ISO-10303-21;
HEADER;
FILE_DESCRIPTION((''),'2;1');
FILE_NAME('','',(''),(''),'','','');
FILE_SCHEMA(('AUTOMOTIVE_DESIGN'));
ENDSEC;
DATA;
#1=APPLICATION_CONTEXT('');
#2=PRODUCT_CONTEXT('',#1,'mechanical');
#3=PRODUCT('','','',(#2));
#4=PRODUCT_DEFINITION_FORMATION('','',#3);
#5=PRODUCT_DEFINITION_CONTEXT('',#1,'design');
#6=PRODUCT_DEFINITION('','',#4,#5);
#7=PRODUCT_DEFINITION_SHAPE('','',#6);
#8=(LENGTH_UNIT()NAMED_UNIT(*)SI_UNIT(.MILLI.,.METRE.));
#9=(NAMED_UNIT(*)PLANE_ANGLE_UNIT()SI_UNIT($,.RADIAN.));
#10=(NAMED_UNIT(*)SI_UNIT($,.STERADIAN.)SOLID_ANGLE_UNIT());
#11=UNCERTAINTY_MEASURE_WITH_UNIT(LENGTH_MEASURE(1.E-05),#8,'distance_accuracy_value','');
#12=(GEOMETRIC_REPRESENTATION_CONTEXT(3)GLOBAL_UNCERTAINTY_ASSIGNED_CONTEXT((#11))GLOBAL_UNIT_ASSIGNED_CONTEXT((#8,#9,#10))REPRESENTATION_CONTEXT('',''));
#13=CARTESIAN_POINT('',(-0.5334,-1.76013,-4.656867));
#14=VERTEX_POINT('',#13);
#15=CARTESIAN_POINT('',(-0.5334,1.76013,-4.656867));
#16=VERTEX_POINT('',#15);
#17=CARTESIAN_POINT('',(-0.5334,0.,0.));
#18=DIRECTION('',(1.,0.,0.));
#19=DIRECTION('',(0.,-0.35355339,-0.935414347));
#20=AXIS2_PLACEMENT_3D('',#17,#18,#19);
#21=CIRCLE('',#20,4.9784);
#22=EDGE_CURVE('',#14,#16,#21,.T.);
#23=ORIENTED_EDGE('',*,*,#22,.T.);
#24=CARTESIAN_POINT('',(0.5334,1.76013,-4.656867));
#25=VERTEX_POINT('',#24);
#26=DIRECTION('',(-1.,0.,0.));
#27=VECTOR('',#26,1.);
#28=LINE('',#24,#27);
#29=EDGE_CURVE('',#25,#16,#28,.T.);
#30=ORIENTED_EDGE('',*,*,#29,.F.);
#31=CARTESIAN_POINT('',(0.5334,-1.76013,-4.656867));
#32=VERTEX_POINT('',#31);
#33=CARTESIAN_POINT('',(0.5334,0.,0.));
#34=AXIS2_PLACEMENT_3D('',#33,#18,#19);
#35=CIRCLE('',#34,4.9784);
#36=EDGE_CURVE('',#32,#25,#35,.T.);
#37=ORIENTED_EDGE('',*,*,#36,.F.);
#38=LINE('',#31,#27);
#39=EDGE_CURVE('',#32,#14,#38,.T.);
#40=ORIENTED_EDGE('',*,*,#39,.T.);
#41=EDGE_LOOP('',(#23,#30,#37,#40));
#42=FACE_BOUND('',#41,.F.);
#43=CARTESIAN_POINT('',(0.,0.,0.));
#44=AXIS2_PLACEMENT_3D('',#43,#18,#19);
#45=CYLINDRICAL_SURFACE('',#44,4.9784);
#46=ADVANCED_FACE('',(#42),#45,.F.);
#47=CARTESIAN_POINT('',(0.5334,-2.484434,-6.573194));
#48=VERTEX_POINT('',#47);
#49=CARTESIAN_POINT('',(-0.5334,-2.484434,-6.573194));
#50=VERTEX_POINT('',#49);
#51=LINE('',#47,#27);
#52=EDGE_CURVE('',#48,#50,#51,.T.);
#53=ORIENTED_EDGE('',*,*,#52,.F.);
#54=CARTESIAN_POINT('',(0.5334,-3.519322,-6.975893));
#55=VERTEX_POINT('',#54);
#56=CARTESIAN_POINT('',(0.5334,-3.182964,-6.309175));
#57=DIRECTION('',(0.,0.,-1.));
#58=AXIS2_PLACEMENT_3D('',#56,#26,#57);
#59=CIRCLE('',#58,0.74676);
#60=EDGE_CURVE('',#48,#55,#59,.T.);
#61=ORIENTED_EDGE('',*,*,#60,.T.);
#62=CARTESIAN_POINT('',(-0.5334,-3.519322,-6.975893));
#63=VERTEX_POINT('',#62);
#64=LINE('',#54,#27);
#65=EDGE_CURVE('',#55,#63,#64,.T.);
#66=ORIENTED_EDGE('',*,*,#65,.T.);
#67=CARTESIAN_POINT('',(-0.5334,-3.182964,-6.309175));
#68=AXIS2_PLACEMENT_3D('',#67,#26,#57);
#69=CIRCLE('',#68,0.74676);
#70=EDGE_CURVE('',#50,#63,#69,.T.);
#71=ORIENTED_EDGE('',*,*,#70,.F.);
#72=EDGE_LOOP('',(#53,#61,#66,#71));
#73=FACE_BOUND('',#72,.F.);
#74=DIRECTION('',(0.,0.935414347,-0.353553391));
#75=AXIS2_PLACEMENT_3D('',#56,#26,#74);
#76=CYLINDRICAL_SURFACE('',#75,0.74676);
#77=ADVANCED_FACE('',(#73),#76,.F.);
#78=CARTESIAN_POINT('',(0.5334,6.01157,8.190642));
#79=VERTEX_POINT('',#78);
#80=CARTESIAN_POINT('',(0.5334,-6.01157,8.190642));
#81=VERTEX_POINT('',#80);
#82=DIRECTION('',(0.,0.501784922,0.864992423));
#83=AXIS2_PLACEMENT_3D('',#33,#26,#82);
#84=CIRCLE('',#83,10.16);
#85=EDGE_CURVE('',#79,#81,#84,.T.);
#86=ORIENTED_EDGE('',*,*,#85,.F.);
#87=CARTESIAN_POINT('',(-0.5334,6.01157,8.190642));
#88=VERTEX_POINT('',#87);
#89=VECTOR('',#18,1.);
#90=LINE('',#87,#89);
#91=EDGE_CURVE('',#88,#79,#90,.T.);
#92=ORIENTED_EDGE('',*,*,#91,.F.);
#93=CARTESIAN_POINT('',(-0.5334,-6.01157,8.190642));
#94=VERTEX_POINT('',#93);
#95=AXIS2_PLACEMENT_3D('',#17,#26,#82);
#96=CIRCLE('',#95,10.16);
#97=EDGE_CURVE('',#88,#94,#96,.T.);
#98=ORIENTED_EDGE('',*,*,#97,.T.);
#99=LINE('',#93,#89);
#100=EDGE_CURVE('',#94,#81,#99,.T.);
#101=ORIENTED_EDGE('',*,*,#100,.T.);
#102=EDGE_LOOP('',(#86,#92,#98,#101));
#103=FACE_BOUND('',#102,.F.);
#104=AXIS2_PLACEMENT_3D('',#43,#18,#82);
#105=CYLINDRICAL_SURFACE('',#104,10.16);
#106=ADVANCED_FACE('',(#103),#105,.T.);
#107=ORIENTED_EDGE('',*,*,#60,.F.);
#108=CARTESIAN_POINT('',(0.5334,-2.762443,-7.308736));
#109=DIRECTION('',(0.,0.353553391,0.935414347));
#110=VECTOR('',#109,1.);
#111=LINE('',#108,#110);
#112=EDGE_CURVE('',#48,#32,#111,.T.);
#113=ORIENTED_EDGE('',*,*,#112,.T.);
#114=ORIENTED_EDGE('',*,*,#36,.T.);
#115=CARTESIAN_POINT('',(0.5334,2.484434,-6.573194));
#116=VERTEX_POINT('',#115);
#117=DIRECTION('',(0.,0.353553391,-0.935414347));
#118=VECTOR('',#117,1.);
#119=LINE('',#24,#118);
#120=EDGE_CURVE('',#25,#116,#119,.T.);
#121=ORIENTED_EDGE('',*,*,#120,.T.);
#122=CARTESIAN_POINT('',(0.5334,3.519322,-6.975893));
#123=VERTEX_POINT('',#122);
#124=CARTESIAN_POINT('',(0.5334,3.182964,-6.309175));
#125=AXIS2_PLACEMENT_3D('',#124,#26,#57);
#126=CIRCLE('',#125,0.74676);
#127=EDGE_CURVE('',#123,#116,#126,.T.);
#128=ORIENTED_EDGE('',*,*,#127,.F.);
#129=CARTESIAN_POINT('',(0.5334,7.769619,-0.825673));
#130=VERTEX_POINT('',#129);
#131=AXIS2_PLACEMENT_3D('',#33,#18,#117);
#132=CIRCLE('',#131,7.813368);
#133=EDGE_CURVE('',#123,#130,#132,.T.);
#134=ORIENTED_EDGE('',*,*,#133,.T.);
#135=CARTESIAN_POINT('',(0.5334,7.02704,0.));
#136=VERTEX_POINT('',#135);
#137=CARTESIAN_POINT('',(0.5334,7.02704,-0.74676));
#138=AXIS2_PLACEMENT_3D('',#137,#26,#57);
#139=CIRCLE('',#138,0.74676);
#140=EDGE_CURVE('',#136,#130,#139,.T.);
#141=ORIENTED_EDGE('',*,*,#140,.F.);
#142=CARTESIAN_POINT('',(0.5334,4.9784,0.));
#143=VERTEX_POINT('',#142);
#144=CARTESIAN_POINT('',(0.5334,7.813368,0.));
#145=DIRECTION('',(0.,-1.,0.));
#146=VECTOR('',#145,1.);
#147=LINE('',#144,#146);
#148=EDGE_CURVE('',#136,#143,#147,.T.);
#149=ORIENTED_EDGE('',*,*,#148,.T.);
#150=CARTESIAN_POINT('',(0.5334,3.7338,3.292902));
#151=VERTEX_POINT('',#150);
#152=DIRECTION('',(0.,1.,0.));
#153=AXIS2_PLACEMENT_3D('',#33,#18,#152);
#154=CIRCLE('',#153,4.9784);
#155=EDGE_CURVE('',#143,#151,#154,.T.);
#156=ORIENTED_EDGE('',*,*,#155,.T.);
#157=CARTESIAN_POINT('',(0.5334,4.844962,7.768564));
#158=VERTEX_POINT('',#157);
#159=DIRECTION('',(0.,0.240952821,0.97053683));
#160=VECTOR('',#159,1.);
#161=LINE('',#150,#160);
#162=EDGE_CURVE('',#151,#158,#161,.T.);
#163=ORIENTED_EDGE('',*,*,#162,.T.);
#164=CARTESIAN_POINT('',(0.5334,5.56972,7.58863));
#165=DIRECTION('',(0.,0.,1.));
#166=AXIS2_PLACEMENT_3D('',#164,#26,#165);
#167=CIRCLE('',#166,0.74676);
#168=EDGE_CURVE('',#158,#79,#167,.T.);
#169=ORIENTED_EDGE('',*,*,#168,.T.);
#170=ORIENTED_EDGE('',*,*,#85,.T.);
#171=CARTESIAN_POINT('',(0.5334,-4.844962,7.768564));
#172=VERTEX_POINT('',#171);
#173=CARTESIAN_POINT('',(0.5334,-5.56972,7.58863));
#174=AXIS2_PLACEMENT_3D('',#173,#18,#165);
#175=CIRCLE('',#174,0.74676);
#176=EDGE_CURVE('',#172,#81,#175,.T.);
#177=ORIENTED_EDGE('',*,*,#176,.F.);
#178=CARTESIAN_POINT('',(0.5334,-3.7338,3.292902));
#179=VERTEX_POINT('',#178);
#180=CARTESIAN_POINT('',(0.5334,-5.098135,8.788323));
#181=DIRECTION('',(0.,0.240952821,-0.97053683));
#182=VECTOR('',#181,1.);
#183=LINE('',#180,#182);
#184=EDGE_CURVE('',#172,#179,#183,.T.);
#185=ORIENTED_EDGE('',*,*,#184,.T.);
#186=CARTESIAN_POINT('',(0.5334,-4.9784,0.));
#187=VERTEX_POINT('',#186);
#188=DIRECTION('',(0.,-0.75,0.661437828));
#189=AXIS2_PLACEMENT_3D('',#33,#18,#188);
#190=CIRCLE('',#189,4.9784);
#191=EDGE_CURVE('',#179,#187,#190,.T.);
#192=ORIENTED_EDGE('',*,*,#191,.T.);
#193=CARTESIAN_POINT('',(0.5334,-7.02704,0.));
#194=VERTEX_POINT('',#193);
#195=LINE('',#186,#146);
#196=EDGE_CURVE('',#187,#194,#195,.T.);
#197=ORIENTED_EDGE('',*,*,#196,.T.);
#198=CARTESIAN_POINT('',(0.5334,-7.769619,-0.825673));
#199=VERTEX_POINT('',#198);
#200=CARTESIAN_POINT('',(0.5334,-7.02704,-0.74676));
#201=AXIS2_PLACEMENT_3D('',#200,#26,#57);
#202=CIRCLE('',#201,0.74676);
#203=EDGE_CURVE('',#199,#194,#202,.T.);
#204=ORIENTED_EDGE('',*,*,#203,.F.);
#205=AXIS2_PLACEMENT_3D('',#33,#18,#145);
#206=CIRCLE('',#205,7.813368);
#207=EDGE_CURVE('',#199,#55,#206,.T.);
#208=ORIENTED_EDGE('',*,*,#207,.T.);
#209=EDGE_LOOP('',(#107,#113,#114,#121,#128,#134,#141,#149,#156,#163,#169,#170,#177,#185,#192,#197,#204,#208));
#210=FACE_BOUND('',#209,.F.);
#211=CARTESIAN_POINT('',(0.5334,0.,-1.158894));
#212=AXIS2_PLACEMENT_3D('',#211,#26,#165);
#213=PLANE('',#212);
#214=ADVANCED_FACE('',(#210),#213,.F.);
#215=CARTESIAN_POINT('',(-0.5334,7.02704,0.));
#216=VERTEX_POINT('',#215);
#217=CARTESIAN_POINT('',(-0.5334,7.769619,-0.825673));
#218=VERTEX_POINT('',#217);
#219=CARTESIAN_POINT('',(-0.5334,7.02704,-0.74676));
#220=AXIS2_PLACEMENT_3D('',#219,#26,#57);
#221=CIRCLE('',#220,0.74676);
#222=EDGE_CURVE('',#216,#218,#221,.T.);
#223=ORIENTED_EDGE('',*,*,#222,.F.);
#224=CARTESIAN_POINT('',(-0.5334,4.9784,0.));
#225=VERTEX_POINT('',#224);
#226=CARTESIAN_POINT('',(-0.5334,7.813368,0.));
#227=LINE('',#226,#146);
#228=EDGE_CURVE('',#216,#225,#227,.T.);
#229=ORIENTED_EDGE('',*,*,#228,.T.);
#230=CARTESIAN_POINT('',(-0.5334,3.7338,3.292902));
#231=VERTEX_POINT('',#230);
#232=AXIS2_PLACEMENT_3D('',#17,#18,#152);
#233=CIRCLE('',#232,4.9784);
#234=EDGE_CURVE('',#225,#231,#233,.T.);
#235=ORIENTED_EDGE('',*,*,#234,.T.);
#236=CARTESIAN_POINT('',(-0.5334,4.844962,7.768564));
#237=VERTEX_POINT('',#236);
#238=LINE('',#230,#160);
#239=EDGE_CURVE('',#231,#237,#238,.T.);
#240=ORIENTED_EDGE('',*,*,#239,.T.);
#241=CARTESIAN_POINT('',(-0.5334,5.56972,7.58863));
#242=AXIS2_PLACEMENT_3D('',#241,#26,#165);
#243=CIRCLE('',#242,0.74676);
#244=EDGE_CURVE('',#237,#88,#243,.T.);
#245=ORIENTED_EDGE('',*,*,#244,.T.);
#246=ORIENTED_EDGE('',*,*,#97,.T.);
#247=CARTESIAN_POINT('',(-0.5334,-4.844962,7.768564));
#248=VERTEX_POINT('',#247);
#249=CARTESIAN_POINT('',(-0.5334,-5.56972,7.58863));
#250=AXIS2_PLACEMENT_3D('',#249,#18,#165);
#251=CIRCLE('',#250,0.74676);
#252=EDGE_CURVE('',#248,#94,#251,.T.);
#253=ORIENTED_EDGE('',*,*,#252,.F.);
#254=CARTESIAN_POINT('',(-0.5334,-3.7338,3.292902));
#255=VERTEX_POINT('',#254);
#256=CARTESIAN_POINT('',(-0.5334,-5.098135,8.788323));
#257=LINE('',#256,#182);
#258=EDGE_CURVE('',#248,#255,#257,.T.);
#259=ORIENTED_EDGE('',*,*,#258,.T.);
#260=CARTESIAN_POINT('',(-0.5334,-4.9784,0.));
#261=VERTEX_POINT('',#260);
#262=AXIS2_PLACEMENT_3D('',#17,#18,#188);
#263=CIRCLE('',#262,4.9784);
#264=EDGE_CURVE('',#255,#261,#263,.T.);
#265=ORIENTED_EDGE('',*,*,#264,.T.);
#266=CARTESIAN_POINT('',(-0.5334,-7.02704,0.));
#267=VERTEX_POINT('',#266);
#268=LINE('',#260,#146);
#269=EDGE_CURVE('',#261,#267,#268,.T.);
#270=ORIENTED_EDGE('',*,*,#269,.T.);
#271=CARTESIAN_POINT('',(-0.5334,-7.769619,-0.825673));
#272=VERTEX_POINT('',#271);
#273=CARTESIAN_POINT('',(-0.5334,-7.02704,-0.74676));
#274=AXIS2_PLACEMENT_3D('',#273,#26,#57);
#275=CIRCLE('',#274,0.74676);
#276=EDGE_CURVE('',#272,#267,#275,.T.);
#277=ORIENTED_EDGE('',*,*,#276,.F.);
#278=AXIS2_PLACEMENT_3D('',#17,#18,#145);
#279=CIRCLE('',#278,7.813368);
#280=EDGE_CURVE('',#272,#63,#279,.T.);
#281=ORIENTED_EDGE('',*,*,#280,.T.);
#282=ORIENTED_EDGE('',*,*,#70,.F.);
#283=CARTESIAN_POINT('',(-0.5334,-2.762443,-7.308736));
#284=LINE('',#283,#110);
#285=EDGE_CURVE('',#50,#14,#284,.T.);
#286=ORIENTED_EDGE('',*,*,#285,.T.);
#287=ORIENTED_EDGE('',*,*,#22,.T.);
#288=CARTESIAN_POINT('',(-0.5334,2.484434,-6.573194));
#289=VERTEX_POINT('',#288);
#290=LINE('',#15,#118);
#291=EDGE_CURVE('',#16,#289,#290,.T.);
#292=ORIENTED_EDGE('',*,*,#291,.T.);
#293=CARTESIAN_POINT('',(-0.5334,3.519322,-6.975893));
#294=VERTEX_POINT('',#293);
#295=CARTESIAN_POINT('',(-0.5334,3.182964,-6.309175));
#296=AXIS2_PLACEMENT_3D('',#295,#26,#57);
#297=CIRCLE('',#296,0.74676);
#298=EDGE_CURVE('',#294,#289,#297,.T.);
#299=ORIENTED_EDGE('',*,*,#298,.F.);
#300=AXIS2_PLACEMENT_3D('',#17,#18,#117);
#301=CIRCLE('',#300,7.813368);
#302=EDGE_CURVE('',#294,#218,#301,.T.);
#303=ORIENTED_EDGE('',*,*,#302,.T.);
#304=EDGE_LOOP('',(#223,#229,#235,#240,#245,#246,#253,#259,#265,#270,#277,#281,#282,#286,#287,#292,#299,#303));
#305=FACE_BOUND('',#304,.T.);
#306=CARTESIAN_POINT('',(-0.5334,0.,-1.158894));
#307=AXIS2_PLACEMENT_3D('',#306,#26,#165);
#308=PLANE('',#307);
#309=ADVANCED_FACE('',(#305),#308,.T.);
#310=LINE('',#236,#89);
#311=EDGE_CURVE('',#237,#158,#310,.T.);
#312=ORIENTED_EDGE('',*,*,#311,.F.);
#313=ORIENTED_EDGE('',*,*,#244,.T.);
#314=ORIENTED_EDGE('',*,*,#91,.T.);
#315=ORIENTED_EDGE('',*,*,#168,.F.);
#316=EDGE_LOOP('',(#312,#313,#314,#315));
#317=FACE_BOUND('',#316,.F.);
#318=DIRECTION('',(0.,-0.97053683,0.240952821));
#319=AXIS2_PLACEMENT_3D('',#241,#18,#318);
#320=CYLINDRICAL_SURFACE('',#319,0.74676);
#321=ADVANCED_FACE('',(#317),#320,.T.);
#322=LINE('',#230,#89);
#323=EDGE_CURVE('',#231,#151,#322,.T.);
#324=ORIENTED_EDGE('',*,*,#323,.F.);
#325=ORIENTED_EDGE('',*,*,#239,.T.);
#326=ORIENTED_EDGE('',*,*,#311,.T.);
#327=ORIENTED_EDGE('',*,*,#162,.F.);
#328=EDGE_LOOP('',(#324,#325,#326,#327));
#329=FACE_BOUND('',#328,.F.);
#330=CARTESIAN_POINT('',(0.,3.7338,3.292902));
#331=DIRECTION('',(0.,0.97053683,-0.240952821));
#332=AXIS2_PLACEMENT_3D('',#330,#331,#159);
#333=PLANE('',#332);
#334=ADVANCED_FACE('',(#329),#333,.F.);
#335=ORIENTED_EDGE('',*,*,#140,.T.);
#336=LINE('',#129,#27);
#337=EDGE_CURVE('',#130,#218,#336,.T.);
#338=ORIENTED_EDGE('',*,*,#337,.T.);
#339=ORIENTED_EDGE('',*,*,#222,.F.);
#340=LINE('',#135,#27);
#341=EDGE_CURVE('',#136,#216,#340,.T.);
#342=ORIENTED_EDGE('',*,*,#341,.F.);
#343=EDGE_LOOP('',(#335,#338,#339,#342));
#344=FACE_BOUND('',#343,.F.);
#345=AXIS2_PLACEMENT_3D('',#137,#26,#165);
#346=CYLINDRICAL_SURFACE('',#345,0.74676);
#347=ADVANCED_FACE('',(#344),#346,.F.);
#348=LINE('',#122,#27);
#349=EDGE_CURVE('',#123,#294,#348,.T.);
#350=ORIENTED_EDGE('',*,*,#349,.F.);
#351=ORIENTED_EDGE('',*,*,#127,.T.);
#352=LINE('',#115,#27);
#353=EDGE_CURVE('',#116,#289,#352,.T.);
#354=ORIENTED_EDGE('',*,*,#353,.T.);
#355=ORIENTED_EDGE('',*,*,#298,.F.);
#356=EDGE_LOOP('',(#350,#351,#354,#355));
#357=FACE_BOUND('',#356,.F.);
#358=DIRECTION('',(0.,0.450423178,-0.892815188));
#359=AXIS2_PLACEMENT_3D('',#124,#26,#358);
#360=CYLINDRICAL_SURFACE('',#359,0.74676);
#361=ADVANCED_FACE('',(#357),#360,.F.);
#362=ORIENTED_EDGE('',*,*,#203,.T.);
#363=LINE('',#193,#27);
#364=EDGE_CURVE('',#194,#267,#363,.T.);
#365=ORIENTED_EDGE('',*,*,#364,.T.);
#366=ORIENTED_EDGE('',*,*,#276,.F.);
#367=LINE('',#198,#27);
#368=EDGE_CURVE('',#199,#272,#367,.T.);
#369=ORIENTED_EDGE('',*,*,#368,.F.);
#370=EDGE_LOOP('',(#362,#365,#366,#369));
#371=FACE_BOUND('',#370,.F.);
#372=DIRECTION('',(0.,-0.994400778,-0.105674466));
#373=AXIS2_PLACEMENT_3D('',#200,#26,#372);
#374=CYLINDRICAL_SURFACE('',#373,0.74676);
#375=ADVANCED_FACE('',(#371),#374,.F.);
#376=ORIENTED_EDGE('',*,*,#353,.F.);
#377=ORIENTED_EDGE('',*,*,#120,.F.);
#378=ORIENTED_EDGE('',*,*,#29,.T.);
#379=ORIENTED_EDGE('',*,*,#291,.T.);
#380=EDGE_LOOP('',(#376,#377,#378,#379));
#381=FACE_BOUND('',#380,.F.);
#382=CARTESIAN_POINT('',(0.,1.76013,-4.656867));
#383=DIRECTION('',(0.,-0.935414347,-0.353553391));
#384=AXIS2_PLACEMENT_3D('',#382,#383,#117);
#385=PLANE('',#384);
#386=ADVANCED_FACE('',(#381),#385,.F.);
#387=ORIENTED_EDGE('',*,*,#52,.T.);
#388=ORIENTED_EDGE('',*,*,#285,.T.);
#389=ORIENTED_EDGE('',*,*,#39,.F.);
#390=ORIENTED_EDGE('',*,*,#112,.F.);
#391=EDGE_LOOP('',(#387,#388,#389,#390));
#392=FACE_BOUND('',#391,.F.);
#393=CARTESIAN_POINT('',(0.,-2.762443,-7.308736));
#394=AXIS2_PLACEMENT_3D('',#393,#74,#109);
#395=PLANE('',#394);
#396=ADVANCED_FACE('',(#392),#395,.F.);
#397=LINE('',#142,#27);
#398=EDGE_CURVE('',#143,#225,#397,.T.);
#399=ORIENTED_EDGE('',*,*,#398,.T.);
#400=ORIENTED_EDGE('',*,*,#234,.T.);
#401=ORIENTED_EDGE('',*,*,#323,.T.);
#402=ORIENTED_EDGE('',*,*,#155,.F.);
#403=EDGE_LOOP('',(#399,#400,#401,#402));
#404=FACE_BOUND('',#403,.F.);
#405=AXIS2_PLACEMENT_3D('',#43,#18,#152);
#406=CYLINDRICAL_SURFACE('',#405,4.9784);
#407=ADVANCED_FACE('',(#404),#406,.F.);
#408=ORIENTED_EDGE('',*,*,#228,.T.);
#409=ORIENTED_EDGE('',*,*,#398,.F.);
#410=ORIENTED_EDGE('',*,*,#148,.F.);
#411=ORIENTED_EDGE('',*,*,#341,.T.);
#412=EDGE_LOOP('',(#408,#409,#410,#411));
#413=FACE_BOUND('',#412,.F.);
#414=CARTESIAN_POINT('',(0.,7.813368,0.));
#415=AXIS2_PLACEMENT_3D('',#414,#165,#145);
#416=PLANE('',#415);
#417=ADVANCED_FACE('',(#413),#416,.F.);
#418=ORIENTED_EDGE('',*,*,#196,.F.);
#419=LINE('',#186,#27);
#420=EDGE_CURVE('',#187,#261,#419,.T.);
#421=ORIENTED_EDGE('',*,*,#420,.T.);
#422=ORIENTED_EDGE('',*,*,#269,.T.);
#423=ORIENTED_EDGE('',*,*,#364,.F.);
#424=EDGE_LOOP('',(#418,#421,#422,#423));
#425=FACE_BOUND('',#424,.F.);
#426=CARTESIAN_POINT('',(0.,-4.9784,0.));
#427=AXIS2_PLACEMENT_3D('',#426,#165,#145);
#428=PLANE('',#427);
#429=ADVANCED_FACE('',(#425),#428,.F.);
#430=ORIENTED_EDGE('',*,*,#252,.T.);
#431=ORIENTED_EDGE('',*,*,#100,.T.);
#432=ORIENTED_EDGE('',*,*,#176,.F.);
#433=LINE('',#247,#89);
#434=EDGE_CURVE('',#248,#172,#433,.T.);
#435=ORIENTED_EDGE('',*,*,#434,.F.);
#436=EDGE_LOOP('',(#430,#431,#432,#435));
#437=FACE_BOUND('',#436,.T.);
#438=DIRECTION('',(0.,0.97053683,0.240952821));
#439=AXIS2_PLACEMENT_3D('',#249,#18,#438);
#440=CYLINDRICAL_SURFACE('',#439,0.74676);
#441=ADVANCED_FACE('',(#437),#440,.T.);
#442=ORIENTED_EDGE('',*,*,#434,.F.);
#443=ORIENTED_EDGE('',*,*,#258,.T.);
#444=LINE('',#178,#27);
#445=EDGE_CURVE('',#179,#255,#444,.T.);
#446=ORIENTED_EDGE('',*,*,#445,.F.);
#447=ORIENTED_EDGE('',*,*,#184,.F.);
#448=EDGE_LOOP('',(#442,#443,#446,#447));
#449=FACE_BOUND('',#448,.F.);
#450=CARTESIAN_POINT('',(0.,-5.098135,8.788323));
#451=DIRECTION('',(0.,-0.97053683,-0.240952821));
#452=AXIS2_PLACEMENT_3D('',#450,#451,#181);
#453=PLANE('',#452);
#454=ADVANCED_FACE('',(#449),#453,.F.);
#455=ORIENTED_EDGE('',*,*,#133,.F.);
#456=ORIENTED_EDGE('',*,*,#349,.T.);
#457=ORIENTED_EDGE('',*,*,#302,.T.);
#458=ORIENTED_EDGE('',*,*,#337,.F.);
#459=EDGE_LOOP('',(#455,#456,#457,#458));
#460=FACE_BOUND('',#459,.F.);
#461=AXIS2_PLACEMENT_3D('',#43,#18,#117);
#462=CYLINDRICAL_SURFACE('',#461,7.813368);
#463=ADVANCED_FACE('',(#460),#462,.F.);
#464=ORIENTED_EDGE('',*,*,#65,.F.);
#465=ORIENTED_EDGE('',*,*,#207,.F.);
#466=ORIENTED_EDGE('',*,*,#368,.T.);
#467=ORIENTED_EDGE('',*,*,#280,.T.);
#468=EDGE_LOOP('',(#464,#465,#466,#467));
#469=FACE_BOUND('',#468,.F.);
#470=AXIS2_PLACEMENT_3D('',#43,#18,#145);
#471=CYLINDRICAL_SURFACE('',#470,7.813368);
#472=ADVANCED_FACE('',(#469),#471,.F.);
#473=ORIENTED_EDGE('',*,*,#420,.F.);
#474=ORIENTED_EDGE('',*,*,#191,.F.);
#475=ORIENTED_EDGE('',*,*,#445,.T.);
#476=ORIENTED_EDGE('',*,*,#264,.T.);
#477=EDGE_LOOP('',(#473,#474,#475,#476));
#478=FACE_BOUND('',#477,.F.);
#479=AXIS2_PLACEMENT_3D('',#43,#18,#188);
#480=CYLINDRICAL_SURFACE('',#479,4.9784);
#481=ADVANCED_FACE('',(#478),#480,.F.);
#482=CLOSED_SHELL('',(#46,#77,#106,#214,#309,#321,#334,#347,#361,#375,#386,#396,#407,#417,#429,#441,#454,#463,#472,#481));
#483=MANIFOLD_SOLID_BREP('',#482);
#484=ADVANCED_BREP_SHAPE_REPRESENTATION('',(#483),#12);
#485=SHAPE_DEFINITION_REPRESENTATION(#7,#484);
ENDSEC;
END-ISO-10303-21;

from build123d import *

# Parameters (mm, degrees)
EXTRUDE1_DEPTH = 0.5334
FILLET1_R      = 0.74676


with BuildPart() as part:
    # Sketch1 → Extrude1 (new body, symmetric)
    with BuildSketch(Plane(origin=(0, 0, 0), x_dir=(0, 0, -1), z_dir=(1, 0, 0))):
        with BuildLine():
            Line((-8.788323021, -5.098134804), (-3.292902082, -3.7338))
            ThreePointArc((-3.292902082, -3.7338), (-1.7601302, -4.656866784), (0, -4.9784))
            Line((0, -4.9784), (0, -7.813367742))
            ThreePointArc((0, -7.813367742), (4.442112961, -6.427779392), (7.308736282, -2.762442657))
            Line((7.308736282, -2.762442657), (4.656866784, -1.7601302))
            ThreePointArc((4.656866784, -1.7601302), (4.9784, 0), (4.656866784, 1.7601302))
            Line((4.656866784, 1.7601302), (7.308736282, 2.762442657))
            ThreePointArc((7.308736282, 2.762442657), (4.442112961, 6.427779392), (0, 7.813367742))
            Line((0, 7.813367742), (0, 4.9784))
            ThreePointArc((0, 4.9784), (-1.7601302, 4.656866784), (-3.292902082, 3.7338))
            Line((-3.292902082, 3.7338), (-8.788323021, 5.098134804))
            ThreePointArc((-8.788323021, 5.098134804), (10.16, 0), (-8.788323021, -5.098134804))
        make_face()
    extrude(amount=EXTRUDE1_DEPTH, both=True)

    # Fillet1
    fillet1_edges = [part.edges().sort_by_distance(p)[0] for p in [
        (0, -5.098134804, 8.788323021),
        (0, -7.813367742, 0),
        (0, -2.762442657, -7.308736282),
        (0, 2.762442657, -7.308736282),
        (0, 7.813367742, 0),
        (0, 5.098134804, 8.788323021),
    ]]
    fillet(fillet1_edges, radius=FILLET1_R)


solid = part.part
